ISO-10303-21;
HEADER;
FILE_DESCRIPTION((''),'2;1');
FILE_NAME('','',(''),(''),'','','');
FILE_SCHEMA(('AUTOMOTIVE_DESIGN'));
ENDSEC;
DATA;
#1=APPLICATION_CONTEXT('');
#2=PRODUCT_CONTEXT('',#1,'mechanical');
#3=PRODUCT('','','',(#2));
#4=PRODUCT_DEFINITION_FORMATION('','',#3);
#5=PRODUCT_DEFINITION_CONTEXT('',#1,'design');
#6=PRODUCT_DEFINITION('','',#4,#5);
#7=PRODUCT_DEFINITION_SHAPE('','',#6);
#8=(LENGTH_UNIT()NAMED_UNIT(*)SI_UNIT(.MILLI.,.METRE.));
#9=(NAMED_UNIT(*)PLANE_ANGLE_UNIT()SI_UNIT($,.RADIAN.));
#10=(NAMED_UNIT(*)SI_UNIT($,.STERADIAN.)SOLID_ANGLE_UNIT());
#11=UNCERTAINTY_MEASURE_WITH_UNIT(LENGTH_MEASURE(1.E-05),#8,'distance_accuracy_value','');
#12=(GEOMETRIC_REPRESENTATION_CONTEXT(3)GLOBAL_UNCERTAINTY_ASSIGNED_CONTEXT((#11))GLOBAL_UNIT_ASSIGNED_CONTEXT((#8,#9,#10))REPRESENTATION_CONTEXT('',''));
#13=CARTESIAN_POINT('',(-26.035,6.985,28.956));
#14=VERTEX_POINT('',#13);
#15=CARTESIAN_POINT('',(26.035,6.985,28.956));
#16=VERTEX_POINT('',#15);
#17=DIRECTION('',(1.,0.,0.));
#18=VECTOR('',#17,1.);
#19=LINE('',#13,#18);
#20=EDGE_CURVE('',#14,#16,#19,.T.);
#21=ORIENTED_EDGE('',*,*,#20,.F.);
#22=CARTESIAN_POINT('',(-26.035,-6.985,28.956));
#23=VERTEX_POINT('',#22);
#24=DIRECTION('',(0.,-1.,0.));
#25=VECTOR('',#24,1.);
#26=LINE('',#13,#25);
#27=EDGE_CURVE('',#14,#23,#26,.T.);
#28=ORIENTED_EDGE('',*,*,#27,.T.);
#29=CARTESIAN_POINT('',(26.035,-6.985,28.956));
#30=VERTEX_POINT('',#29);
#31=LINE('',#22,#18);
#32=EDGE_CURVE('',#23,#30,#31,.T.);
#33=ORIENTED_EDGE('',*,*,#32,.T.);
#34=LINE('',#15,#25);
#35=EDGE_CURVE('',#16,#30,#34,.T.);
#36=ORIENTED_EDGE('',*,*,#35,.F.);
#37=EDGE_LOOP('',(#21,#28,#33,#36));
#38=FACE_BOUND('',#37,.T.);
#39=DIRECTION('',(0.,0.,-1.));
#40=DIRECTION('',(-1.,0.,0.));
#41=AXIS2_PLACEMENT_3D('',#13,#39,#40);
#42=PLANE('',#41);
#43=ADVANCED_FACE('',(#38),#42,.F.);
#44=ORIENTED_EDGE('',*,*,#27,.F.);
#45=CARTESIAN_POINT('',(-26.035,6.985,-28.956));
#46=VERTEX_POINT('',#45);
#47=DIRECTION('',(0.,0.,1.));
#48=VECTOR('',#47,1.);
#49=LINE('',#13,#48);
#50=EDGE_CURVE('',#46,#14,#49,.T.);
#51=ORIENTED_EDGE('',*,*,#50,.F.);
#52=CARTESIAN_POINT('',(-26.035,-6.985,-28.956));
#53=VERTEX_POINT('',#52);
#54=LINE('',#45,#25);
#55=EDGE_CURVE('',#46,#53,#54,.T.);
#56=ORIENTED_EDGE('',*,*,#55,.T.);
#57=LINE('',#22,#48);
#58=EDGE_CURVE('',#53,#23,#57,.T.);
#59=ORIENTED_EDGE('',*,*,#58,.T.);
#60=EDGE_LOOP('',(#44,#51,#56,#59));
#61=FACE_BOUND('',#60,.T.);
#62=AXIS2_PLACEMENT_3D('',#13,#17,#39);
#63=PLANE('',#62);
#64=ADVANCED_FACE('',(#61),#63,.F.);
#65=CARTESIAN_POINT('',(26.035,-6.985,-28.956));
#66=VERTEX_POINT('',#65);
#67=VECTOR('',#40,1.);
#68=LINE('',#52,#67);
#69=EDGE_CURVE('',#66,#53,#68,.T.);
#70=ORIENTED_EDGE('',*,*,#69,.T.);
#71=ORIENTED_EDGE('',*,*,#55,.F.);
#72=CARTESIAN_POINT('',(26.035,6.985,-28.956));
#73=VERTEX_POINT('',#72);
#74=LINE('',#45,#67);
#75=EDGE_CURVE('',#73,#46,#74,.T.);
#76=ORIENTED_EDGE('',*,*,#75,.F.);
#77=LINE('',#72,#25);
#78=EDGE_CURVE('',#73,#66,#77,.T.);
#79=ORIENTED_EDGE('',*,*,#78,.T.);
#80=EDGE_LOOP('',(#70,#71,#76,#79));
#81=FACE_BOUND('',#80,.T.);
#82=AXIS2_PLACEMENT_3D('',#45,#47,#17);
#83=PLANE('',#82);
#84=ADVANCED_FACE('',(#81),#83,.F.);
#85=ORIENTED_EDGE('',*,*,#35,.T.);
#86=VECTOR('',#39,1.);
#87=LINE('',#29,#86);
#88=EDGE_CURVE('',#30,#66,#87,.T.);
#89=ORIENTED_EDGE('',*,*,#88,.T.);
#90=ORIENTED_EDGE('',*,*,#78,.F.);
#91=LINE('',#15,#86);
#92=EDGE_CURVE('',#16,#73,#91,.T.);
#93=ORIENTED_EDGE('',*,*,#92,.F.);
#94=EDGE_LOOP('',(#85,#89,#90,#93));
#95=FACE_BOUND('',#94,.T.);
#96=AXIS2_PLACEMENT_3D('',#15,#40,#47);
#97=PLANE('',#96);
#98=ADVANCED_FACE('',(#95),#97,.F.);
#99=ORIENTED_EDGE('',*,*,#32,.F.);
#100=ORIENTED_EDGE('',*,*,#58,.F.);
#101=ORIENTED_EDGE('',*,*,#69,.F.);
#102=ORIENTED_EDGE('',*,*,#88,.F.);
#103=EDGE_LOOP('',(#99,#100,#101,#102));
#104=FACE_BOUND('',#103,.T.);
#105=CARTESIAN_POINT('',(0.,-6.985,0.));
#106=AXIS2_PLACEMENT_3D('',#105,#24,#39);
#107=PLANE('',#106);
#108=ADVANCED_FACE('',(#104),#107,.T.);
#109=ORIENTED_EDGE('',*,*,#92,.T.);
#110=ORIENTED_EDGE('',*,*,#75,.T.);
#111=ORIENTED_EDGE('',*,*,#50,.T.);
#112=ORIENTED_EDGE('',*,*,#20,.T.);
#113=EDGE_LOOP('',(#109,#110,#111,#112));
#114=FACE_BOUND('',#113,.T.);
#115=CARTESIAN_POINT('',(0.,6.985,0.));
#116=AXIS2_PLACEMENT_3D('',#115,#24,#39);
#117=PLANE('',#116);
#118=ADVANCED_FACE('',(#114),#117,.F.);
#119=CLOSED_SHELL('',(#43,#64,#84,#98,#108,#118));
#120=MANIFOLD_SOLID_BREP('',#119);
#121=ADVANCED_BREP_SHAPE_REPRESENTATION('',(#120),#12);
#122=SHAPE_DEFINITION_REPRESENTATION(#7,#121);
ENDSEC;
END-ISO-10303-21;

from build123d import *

# Parameters (mm, degrees)
CROQUIS1_W              = 52.07
CROQUIS1_H              = 57.912
SALIENTE_EXTRUIR1_DEPTH = 6.985


with BuildPart() as part:
    # Croquis1 → Saliente-Extruir1 (new body, symmetric)
    with BuildSketch(Plane(origin=(0, 0, 0), x_dir=(1, 0, 0), z_dir=(0, 1, 0))):
        Rectangle(CROQUIS1_W, CROQUIS1_H)
    extrude(amount=SALIENTE_EXTRUIR1_DEPTH, both=True)


solid = part.part
